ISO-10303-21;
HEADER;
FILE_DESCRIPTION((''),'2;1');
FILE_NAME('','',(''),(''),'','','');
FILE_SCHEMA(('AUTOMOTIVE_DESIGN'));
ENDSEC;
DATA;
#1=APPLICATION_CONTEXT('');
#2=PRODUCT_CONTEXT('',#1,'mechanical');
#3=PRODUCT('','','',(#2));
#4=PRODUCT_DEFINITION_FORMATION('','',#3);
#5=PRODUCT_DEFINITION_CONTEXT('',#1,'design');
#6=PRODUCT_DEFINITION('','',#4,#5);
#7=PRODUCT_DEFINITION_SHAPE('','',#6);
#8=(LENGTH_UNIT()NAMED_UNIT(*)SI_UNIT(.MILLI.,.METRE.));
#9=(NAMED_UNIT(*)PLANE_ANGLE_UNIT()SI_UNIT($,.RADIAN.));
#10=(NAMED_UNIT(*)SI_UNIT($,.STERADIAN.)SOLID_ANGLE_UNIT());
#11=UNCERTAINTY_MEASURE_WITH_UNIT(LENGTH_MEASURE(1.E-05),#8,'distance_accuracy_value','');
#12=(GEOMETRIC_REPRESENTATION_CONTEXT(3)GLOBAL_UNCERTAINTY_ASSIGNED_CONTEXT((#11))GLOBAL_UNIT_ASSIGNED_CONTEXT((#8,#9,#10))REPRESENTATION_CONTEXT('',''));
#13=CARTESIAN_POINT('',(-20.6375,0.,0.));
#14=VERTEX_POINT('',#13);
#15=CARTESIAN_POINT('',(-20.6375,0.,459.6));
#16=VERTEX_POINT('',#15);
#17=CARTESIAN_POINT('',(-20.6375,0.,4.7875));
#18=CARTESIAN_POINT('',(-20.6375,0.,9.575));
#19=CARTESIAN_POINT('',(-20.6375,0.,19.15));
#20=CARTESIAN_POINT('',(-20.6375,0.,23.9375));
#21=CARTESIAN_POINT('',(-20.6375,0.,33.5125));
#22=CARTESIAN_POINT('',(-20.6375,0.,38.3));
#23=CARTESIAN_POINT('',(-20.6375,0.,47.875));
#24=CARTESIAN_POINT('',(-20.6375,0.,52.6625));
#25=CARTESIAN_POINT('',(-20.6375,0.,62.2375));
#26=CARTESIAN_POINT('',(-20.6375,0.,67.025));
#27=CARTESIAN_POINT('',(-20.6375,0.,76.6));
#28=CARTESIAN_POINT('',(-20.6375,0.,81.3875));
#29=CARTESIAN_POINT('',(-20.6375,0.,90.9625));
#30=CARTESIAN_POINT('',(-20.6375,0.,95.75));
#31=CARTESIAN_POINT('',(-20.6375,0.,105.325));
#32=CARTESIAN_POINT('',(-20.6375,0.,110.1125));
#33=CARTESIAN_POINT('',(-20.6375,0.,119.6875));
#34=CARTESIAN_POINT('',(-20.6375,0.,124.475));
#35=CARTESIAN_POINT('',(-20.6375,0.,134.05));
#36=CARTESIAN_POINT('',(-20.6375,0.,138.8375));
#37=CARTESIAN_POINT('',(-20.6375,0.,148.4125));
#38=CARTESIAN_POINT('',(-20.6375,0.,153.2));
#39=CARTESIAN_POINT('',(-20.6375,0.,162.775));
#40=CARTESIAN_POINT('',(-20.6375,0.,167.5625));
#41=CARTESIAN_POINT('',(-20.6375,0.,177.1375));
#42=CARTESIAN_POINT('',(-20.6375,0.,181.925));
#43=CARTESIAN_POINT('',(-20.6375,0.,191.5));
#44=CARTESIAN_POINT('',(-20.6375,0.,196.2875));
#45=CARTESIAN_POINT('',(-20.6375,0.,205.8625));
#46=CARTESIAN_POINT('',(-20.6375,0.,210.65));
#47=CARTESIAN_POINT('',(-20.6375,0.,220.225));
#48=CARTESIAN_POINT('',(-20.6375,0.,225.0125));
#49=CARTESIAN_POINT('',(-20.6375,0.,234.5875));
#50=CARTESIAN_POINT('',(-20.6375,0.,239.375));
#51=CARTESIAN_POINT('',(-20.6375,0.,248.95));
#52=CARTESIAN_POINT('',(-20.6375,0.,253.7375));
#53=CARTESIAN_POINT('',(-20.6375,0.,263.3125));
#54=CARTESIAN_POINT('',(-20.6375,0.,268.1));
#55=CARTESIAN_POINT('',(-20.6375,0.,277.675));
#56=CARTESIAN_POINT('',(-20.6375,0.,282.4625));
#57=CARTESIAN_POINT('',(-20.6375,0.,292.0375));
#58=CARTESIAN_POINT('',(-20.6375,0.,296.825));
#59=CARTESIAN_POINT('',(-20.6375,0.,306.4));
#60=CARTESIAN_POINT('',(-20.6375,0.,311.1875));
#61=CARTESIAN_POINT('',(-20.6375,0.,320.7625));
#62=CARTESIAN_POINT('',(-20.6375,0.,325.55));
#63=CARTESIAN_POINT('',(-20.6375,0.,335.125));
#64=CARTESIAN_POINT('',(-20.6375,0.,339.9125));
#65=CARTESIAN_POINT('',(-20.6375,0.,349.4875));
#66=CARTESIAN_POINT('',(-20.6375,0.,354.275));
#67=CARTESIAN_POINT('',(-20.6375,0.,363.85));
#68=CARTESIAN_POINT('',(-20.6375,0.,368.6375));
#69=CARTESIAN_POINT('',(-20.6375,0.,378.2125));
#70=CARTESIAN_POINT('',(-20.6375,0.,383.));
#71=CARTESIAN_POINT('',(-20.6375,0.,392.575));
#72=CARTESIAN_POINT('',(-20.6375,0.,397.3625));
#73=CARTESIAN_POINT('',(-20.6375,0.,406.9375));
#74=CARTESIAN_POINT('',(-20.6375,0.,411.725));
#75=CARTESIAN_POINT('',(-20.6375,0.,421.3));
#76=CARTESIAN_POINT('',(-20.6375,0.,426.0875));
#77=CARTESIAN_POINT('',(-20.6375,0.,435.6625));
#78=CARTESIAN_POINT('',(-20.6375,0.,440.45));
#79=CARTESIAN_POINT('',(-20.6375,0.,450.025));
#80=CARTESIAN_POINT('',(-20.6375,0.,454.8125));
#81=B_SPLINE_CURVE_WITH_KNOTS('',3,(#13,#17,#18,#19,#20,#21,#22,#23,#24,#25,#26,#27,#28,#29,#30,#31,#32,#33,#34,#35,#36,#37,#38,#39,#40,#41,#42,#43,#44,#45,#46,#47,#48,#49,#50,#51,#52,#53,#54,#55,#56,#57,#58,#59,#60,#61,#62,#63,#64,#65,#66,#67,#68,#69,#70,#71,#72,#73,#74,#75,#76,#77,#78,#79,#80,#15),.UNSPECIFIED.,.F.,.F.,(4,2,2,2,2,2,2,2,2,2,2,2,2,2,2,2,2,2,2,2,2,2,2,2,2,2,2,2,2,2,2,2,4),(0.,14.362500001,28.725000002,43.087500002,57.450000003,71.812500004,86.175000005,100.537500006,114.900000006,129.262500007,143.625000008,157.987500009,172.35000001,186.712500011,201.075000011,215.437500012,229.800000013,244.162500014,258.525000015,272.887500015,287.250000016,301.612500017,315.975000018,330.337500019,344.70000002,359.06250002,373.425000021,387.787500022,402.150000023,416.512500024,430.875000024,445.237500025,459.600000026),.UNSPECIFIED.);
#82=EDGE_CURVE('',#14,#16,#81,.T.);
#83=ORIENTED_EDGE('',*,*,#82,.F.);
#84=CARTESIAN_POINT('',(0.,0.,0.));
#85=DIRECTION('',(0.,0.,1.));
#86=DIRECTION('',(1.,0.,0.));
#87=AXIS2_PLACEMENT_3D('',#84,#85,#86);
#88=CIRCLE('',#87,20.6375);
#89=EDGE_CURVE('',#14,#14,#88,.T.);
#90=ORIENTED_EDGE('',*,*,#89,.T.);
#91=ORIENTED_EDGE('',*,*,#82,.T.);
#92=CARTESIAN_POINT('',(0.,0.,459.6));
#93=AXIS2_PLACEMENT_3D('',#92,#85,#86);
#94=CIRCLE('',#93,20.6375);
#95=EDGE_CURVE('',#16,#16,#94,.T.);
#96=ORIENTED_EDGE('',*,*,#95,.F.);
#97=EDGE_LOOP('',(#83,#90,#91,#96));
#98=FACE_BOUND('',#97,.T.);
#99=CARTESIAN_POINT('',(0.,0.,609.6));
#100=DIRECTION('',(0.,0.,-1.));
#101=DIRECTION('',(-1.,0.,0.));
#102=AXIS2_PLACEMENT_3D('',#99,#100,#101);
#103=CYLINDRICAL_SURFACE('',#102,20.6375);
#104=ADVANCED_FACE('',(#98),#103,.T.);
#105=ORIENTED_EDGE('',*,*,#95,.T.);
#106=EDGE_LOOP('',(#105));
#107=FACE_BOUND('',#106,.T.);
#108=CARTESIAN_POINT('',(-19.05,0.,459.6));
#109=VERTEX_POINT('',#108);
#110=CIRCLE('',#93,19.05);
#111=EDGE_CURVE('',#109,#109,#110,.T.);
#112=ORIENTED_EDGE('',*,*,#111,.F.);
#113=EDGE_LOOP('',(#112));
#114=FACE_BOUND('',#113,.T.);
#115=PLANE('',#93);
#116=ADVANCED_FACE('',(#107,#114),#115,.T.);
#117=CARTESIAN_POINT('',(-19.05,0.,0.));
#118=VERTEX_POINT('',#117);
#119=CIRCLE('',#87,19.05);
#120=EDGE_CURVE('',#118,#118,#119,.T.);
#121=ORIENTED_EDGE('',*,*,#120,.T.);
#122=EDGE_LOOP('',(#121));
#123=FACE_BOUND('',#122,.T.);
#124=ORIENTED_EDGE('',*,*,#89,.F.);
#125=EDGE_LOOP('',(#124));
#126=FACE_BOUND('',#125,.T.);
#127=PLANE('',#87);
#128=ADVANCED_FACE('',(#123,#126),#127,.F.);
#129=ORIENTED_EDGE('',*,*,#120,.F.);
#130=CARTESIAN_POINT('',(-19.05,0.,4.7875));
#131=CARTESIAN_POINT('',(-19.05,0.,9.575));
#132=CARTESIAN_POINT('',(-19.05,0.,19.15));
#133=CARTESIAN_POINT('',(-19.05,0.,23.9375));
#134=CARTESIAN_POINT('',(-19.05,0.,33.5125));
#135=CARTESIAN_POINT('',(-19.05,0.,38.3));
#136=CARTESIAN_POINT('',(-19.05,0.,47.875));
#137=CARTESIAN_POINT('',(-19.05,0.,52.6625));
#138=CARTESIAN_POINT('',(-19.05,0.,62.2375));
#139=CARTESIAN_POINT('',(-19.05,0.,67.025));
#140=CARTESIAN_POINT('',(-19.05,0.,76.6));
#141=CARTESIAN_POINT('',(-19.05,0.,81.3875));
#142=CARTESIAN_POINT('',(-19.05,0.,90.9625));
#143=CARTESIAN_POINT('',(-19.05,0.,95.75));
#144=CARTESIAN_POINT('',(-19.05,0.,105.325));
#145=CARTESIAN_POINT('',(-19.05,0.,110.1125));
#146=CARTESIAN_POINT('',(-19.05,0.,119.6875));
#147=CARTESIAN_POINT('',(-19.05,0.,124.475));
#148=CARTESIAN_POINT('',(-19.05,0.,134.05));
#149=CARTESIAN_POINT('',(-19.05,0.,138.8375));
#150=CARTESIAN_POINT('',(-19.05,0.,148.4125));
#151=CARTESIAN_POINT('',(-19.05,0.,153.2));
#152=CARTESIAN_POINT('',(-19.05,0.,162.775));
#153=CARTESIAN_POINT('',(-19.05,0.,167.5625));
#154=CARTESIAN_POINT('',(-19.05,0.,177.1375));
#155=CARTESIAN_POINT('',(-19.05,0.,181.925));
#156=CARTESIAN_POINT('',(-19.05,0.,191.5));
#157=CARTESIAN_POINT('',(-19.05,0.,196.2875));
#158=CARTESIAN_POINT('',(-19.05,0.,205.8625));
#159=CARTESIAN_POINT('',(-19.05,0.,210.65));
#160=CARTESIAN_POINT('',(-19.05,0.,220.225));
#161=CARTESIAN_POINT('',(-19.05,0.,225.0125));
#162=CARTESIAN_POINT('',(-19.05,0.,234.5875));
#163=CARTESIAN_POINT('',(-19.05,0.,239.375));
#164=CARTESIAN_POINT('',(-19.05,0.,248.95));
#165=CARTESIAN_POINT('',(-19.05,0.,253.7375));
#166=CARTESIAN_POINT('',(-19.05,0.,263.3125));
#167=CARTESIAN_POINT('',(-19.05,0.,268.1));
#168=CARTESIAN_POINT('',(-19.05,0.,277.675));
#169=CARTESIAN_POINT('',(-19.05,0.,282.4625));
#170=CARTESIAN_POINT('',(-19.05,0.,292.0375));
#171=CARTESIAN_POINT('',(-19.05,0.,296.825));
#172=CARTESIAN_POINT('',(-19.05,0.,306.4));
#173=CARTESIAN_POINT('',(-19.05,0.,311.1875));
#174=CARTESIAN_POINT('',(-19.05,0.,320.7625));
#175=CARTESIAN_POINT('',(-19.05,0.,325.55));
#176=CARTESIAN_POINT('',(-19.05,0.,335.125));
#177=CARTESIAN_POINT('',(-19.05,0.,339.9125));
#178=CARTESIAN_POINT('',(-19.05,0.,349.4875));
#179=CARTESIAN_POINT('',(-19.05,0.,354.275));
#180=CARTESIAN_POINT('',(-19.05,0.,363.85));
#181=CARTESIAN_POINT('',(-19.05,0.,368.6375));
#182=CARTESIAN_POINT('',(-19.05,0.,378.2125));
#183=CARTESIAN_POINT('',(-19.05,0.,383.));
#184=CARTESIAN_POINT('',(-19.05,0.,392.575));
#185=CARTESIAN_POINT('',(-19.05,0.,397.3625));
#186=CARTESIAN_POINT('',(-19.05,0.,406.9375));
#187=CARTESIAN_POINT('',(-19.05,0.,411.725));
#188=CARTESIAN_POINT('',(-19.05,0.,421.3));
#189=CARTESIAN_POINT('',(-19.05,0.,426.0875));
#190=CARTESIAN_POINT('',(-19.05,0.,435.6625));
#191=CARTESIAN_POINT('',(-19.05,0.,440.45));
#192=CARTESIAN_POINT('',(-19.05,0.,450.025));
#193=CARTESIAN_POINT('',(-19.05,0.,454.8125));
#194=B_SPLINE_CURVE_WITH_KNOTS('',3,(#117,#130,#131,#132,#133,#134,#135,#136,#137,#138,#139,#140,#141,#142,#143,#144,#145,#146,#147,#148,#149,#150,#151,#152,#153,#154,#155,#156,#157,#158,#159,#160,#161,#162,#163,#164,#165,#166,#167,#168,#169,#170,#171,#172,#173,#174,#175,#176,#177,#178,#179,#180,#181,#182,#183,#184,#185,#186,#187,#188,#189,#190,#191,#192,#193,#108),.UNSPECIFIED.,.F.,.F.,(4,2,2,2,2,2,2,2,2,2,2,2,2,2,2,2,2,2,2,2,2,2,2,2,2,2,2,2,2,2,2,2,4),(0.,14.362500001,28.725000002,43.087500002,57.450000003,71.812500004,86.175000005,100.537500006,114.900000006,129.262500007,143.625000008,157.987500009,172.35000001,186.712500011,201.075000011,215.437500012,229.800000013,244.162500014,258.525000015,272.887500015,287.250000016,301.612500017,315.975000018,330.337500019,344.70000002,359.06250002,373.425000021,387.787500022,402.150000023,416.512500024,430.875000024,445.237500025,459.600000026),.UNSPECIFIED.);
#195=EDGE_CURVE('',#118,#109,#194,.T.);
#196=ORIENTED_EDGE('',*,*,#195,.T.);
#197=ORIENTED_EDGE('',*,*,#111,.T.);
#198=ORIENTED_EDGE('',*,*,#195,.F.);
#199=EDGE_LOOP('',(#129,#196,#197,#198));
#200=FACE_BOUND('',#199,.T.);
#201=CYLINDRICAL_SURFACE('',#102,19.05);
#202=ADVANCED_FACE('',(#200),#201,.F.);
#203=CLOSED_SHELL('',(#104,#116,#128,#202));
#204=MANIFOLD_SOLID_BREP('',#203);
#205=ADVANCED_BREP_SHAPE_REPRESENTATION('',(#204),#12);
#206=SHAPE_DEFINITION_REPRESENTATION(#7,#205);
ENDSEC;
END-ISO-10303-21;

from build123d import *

# Parameters (mm, degrees)
CARDBOARD_MOTOR_TUBE_SKETCH_R      = 20.6375
CARDBOARD_MOTOR_TUBE_SKETCH_R_2    = 19.05
CARDBOARD_MOTOR_TUBE_EXTRUDE_DEPTH = 609.6


with BuildPart() as part:
    # Cardboard Motor Tube Sketch → Cardboard Motor Tube Extrude (new body)
    with BuildSketch(Plane.XY):
        with Locations(Location((0, 0, 0), (0, 0, 180))):
            Circle(CARDBOARD_MOTOR_TUBE_SKETCH_R)
        with Locations(Location((0, 0, 0), (0, 0, 180))):
            Circle(CARDBOARD_MOTOR_TUBE_SKETCH_R_2, mode=Mode.SUBTRACT)
    extrude(amount=CARDBOARD_MOTOR_TUBE_EXTRUDE_DEPTH)

    # Cardboard Motor Tube Surface Cut
    split(bisect_by=Plane.XY.offset(459.600000026), keep=Keep.BOTTOM)


solid = part.part
